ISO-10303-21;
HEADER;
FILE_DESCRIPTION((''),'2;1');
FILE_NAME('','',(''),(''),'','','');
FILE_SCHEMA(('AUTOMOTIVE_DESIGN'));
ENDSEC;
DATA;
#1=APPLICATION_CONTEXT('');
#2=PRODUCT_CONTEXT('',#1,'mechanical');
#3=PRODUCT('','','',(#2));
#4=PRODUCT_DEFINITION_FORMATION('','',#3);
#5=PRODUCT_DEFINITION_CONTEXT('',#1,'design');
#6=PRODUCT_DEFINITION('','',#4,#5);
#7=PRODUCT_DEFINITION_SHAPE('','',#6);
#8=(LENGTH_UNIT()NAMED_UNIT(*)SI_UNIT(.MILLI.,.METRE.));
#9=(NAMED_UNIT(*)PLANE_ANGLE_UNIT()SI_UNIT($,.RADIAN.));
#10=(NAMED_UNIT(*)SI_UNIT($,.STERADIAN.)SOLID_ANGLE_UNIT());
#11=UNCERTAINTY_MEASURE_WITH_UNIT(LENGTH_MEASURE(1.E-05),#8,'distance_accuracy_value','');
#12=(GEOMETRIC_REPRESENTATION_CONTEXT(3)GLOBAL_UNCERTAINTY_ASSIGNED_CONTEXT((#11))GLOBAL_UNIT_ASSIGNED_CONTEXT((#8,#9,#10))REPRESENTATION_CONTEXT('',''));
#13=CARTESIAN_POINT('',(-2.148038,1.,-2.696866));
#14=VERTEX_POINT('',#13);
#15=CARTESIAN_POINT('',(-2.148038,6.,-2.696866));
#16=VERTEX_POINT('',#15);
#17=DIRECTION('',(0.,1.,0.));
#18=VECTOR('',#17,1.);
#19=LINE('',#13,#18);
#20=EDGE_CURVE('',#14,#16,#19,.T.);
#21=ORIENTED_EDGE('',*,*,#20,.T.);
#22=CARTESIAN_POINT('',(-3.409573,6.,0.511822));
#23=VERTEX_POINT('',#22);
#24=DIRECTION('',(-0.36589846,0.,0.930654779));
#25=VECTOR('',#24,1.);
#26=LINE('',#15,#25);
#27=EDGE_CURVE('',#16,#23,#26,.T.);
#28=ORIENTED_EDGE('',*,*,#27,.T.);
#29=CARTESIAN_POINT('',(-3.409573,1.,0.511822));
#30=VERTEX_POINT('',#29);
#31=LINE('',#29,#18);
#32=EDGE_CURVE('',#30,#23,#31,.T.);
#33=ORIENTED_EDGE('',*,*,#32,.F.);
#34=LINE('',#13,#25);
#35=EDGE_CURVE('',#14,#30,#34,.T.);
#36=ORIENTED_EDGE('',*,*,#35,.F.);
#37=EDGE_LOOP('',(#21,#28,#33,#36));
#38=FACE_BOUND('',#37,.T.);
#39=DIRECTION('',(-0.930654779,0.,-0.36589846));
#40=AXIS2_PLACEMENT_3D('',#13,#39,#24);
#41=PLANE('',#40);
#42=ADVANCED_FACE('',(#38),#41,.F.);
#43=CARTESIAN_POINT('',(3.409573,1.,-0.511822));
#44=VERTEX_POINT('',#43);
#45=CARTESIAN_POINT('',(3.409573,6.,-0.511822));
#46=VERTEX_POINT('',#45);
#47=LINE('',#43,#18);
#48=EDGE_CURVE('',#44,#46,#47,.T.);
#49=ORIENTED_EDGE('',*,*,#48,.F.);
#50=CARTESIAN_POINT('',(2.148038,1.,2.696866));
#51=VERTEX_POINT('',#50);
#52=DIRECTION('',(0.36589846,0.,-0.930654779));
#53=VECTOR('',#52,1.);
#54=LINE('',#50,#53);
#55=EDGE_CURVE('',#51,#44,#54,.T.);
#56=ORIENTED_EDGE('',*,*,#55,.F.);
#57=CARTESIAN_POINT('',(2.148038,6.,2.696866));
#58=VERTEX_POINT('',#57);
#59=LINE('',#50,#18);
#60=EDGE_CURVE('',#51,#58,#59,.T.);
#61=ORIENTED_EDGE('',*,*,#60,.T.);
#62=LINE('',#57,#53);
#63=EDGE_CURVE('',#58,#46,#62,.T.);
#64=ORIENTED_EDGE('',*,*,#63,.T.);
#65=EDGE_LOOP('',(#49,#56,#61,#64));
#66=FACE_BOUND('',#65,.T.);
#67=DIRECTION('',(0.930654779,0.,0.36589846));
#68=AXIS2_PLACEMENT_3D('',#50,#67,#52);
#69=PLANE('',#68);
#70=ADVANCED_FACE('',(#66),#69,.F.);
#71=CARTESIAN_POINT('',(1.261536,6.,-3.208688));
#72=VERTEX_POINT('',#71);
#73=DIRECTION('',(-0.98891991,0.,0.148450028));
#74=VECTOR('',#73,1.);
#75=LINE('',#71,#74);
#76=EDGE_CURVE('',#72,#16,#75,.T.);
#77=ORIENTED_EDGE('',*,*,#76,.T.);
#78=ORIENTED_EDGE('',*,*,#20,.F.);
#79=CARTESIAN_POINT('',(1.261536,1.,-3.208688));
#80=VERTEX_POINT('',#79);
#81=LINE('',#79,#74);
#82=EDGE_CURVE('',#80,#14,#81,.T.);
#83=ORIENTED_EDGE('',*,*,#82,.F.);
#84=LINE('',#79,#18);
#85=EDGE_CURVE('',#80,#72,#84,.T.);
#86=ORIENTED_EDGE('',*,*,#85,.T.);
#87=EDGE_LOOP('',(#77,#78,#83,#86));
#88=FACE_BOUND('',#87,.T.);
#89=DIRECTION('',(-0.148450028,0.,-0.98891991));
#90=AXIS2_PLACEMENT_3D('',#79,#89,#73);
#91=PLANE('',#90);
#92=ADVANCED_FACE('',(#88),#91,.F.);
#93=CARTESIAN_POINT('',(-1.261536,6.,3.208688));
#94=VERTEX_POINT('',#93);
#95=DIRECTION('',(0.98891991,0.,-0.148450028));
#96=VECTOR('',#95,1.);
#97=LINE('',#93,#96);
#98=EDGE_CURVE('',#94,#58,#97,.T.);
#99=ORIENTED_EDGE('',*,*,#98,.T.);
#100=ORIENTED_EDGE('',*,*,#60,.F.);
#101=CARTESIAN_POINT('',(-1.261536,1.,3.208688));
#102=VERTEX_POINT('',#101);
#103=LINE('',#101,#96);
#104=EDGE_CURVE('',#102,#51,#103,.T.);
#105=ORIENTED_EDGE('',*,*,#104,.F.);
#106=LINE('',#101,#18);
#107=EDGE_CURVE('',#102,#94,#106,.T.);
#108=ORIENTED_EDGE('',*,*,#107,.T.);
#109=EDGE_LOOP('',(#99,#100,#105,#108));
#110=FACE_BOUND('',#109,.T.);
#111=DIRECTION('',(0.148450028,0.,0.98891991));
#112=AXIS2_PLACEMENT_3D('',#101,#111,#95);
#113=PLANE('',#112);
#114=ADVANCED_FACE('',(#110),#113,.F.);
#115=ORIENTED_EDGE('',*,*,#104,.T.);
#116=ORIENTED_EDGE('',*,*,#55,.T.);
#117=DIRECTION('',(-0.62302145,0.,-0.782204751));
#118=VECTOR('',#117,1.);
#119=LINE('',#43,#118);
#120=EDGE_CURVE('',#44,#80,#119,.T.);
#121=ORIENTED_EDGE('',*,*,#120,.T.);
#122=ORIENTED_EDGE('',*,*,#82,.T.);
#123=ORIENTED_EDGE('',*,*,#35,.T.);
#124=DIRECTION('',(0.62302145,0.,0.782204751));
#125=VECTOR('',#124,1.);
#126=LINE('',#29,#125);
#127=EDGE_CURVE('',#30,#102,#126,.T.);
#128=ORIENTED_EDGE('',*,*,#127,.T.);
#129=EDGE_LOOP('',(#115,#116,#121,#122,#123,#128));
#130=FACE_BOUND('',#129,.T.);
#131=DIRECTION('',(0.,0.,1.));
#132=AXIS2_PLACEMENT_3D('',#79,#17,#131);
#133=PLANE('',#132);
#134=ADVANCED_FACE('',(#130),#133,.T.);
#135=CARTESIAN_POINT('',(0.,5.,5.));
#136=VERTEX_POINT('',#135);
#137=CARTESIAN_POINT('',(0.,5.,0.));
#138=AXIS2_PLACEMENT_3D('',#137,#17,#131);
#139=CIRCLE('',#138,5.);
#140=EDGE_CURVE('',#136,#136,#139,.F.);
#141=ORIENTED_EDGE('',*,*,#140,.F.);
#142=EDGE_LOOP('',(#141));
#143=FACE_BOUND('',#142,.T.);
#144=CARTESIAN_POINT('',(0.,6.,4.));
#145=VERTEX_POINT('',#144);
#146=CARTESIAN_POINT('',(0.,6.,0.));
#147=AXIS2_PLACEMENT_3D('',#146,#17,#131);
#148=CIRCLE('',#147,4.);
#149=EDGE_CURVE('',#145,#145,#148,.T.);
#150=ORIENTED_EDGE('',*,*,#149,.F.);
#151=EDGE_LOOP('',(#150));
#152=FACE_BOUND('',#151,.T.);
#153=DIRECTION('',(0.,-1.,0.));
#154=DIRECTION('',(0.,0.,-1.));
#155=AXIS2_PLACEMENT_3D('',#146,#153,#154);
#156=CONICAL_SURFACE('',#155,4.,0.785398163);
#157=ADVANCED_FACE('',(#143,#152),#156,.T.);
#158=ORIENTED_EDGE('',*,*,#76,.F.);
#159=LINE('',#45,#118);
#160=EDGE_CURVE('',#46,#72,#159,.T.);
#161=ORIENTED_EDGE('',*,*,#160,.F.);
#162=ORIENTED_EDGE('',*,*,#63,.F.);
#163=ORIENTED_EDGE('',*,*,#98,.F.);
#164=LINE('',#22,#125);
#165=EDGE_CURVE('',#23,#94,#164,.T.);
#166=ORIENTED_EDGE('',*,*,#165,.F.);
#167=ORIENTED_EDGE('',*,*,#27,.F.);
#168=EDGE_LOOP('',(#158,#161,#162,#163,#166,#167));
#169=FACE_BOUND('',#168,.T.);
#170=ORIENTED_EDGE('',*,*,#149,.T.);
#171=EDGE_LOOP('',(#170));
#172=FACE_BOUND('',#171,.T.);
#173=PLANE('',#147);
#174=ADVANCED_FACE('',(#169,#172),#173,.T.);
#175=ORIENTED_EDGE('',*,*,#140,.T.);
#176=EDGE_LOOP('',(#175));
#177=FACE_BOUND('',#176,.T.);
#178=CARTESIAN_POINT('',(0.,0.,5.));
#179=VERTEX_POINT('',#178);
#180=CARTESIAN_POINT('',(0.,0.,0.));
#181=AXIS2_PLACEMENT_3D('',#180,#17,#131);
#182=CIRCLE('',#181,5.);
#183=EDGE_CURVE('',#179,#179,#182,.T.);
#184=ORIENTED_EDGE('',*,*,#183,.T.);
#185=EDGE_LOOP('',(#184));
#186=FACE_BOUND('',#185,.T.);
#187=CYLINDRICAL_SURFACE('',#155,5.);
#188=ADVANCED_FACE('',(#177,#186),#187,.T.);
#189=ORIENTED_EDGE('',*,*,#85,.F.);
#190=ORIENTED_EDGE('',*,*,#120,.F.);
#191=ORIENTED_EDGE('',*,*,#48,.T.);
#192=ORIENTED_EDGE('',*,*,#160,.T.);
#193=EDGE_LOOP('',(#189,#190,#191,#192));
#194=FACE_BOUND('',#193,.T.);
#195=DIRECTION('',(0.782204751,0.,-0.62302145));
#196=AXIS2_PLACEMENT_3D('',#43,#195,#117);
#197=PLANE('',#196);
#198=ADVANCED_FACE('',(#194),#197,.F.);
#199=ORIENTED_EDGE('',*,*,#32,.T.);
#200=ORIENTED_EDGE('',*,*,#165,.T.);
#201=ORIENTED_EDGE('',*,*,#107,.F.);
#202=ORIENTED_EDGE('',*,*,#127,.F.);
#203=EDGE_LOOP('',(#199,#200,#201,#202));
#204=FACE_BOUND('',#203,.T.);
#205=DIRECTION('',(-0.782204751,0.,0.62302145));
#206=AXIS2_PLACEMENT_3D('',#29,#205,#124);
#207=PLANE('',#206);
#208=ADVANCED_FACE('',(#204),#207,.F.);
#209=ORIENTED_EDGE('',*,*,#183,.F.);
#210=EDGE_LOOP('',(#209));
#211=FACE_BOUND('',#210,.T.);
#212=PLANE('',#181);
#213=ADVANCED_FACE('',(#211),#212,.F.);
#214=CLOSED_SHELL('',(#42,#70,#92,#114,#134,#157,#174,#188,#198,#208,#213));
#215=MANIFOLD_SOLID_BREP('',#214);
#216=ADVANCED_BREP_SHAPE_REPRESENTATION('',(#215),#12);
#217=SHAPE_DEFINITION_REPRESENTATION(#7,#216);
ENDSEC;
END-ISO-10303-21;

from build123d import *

# Parameters (mm, degrees)
SKETCH_1_R          = 5
EXTRUDE_1_DEPTH     = 6
CUT_EXTRUDE_1_DEPTH = 5
CHAMFER_1_SIZE      = 1


with BuildPart() as part:
    # 草图1 → 凸台-拉伸1 (new body)
    with BuildSketch(Plane(origin=(0, 0, 0), x_dir=(1, 0, 0), z_dir=(0, 1, 0))):
        with Locations(Location((0, 0, 0), (0, 0, 270))):
            Circle(SKETCH_1_R)
    extrude(amount=EXTRUDE_1_DEPTH)

    # 草图2 → 切除-拉伸1 (cut)
    with BuildSketch(Plane(origin=(0, 6, 0), x_dir=(1, 0, 0), z_dir=(0, 1, 0))):
        Polygon((1.261535508, 3.20868814), (-2.148037688, 2.696865868), (-3.409573196, -0.511822272), (-1.261535508, -3.20868814), (2.148037688, -2.696865868), (3.409573196, 0.511822272), align=None)
    extrude(amount=-CUT_EXTRUDE_1_DEPTH, mode=Mode.SUBTRACT)

    # 倒角1
    chamfer_1_edges = [part.edges().sort_by_distance(p)[0] for p in [
        (0, 6, -5),
    ]]
    chamfer(chamfer_1_edges, length=CHAMFER_1_SIZE)


solid = part.part
